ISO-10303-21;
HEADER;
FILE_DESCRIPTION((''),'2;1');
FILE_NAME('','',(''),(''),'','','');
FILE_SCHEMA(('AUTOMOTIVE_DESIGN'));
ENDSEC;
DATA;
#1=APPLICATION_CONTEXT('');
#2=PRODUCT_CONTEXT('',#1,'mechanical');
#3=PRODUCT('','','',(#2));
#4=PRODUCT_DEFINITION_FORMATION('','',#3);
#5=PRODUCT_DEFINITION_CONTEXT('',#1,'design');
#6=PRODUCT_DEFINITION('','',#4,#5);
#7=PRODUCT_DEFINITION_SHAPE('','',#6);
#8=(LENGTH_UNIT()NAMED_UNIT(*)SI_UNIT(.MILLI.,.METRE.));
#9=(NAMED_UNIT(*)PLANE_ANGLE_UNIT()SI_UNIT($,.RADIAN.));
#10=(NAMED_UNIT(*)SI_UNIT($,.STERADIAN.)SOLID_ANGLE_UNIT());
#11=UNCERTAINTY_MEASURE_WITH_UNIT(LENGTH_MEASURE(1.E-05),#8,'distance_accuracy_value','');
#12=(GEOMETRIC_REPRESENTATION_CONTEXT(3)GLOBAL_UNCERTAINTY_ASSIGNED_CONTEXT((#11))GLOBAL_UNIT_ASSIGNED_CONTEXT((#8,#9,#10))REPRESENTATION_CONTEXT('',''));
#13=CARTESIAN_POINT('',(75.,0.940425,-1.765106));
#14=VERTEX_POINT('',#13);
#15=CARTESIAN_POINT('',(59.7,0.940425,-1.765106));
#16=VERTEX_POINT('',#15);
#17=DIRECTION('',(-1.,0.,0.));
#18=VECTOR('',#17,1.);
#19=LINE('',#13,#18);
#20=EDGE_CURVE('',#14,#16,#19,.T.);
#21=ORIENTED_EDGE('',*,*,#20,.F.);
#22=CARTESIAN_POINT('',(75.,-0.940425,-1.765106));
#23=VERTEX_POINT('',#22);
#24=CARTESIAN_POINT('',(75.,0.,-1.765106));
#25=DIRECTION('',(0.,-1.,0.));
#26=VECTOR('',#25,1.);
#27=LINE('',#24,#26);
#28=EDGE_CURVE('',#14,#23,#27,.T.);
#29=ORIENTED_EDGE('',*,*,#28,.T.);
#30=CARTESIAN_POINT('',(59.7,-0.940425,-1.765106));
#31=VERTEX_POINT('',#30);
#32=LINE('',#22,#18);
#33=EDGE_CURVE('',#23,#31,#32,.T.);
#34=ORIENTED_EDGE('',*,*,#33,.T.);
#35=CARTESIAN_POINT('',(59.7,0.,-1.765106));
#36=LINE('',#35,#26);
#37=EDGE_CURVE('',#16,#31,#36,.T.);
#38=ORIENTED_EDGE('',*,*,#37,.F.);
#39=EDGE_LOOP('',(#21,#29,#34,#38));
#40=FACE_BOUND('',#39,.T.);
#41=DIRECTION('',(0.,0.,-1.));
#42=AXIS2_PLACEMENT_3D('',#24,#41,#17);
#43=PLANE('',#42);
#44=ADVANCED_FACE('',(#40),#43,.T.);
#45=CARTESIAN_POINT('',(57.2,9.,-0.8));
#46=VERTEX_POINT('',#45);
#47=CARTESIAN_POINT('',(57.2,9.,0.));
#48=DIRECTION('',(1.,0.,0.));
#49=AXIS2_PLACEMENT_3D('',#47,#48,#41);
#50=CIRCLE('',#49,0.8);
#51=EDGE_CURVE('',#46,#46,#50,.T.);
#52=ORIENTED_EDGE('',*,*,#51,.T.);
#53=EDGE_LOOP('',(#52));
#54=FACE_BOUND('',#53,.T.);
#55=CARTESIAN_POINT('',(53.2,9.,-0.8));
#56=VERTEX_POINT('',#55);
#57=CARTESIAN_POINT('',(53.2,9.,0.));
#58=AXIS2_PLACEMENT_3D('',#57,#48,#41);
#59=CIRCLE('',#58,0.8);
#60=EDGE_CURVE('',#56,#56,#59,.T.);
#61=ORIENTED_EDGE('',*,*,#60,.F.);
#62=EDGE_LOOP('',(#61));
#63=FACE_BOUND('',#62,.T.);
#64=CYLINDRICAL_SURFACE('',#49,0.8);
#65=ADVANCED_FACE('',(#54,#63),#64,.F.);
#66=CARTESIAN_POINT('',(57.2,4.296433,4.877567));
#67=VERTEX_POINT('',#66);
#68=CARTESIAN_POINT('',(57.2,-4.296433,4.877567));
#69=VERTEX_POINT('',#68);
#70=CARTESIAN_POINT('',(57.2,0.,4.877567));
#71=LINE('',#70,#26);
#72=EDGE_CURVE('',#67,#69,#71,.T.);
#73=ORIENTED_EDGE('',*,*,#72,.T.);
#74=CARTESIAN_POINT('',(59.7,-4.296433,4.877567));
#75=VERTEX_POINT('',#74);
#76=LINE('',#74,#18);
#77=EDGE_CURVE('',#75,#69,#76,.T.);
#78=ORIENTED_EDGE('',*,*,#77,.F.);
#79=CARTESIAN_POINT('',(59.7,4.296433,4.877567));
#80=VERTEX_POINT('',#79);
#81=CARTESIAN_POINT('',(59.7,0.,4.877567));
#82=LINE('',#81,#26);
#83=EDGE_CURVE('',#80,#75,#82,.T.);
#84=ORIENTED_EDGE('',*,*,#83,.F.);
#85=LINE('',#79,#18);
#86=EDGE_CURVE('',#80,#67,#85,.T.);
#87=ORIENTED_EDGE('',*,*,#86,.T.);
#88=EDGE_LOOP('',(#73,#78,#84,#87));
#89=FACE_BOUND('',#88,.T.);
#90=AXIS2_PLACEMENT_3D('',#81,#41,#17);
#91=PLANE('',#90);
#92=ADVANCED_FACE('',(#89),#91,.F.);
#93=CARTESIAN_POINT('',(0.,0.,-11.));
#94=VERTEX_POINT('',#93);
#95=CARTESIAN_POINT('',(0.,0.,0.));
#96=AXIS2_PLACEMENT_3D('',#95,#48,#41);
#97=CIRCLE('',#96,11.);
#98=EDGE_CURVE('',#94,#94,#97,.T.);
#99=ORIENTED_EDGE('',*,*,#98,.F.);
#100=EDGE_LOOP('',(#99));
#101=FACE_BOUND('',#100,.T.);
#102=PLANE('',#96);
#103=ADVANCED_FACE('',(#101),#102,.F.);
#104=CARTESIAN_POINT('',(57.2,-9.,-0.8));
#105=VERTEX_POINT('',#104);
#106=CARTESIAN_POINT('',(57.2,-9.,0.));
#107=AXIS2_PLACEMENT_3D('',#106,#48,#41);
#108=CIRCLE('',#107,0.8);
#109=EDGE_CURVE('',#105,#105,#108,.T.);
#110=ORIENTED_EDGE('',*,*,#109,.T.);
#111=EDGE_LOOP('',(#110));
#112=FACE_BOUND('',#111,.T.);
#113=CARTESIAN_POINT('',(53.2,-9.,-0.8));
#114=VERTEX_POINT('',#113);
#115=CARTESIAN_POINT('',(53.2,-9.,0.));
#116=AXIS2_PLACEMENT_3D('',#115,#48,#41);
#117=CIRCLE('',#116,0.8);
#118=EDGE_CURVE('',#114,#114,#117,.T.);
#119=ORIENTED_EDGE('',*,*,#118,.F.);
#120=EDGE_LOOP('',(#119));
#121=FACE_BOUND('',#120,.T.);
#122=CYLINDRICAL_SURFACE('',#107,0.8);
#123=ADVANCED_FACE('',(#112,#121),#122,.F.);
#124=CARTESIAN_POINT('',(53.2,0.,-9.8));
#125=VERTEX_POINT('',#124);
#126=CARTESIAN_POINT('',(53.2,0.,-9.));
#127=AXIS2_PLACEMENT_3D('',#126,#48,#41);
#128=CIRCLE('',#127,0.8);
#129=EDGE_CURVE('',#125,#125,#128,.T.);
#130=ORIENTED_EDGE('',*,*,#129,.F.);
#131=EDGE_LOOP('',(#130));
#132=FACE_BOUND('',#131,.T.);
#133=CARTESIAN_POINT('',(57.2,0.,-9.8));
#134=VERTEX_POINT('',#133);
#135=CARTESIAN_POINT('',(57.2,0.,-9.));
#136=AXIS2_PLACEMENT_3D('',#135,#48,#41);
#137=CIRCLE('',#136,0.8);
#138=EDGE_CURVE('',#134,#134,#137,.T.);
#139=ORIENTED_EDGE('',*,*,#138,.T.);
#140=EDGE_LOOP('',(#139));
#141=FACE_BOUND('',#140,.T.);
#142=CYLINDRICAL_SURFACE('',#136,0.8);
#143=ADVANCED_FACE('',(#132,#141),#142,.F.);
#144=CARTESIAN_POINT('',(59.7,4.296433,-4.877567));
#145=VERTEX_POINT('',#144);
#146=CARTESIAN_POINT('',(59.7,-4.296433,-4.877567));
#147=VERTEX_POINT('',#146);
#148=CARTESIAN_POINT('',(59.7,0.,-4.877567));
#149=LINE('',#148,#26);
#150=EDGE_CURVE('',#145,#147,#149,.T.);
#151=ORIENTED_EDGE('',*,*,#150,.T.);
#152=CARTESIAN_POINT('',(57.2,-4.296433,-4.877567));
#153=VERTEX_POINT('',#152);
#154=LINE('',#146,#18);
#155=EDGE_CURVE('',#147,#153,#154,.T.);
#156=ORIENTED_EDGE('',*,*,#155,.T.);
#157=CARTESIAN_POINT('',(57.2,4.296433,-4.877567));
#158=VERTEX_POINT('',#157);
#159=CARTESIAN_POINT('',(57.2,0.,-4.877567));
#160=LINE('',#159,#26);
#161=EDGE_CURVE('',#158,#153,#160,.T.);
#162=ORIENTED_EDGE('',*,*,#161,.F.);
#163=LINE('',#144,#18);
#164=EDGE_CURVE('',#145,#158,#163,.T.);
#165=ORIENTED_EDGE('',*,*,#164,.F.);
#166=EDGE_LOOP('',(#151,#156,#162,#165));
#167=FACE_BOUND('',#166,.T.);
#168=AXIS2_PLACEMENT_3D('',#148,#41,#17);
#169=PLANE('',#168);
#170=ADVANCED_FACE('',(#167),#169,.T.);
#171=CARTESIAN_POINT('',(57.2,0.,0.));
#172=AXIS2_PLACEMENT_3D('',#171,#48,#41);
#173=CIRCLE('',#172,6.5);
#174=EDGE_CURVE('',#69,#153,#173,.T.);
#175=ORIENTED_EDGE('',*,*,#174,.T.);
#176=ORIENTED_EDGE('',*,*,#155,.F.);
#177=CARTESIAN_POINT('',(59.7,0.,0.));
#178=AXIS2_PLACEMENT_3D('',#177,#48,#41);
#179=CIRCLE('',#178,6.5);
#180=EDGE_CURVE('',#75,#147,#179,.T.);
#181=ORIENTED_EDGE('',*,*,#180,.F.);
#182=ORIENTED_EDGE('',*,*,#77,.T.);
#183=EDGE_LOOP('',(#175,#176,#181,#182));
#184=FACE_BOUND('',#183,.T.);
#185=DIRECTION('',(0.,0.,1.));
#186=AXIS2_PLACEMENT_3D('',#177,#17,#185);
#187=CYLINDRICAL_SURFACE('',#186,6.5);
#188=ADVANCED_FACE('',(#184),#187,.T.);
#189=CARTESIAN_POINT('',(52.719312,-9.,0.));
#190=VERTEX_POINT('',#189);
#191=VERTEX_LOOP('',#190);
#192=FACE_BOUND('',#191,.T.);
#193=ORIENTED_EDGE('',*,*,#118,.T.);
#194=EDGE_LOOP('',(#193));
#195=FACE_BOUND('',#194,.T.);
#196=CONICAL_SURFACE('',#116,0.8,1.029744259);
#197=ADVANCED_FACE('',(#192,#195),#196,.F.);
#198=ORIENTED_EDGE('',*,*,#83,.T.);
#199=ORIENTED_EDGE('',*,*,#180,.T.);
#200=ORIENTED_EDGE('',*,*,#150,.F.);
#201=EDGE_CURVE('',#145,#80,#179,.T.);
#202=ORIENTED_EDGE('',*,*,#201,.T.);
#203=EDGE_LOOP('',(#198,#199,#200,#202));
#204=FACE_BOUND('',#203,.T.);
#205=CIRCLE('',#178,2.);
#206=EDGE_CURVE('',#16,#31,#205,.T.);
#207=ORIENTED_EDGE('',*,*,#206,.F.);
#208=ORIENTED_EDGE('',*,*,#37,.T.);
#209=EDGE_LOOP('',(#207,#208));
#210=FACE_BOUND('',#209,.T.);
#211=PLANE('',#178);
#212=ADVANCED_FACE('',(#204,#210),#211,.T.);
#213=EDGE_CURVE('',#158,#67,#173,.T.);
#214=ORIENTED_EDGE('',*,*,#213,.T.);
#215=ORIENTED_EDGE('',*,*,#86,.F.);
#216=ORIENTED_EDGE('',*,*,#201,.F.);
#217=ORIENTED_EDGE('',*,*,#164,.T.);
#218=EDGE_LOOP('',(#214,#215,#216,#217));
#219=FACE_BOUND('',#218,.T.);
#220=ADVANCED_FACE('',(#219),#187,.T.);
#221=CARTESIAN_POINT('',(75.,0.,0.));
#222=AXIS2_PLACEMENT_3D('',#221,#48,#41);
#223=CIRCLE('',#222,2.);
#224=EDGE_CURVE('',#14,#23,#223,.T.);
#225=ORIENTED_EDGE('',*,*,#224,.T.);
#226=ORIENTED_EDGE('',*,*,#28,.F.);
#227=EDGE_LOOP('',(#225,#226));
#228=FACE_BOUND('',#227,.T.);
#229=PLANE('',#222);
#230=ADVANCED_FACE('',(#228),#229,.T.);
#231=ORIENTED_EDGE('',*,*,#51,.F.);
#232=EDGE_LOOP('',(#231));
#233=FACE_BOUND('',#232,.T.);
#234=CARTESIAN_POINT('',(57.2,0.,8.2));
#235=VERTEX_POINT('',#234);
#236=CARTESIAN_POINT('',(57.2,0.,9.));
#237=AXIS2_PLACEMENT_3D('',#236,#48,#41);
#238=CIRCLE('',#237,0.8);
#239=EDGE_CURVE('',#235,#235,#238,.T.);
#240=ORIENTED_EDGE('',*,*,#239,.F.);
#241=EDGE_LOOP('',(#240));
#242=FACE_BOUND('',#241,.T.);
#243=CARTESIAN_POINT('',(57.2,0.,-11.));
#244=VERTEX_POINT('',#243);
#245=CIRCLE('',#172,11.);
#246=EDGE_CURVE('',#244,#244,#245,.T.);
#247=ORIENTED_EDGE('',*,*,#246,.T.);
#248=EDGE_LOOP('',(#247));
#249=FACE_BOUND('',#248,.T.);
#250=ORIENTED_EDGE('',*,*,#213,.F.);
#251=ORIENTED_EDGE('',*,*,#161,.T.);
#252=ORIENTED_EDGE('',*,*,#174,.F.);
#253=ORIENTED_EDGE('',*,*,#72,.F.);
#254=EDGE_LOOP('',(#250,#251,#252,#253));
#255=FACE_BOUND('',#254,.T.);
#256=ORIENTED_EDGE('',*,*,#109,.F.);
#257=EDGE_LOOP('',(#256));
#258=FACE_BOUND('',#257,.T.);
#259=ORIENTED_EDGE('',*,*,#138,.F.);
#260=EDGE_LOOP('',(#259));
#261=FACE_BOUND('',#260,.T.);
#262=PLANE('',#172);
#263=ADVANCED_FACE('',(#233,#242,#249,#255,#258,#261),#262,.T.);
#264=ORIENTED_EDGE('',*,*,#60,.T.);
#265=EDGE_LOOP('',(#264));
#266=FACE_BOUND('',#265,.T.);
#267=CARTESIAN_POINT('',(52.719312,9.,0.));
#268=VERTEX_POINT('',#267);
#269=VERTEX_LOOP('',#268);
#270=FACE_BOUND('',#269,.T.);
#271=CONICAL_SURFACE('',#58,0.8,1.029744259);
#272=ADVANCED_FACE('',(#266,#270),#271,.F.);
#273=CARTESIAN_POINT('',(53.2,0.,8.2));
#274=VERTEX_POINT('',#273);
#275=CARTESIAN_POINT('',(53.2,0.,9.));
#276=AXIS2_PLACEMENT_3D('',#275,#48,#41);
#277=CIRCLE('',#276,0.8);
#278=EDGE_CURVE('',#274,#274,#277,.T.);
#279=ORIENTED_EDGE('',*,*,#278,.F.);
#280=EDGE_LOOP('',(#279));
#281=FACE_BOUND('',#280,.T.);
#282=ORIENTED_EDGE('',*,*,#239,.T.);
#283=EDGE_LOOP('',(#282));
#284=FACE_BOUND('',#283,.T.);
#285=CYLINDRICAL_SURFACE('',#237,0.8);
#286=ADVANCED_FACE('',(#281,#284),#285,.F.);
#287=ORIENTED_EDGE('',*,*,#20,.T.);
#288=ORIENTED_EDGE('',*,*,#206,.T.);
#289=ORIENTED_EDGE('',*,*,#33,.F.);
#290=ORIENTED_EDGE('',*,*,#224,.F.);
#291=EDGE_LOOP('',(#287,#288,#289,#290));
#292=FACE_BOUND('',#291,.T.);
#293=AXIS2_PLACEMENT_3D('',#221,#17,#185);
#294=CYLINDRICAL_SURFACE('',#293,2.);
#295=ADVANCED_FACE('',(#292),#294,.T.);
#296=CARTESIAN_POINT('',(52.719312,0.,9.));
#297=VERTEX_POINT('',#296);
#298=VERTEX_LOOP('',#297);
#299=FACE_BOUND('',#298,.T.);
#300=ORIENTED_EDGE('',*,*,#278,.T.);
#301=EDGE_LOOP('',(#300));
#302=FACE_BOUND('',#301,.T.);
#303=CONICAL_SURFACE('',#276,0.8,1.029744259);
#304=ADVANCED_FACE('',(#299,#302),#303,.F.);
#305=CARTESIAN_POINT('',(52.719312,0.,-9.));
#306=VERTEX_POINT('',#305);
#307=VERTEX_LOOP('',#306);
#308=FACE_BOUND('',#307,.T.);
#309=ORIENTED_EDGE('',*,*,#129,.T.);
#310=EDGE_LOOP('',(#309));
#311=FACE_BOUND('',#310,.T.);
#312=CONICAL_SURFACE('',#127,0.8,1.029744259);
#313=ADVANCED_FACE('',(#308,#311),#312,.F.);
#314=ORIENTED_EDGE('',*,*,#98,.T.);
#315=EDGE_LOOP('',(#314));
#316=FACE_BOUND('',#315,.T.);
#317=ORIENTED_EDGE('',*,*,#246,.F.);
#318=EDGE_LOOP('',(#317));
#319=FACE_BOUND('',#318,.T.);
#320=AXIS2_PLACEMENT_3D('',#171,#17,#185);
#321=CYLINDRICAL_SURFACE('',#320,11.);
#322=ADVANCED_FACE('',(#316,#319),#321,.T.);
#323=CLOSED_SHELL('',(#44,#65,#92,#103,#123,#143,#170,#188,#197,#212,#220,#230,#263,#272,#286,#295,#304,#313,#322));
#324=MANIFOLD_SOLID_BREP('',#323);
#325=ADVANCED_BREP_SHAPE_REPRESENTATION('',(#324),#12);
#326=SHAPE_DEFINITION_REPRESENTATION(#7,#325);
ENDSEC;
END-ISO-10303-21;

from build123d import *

# Parameters (mm, degrees)
SKETCH1_R                       = 11
BOSS_EXTRUDE1_DEPTH             = 57.2
TAP_DRILL_FOR_M2X0_4_TAP1_D     = 1.6
TAP_DRILL_FOR_M2X0_4_TAP1_DEPTH = 4
TAP_DRILL_FOR_M2X0_4_TAP1_TIP   = 0.480688495
BOSS_EXTRUDE2_DEPTH             = 2.5
BOSS_EXTRUDE3_DEPTH             = 15.3


with BuildPart() as part:
    # Sketch1 → Boss-Extrude1 (new body)
    with BuildSketch(Plane(origin=(0, 0, 0), x_dir=(0, 0, -1), z_dir=(1, 0, 0))):
        Circle(SKETCH1_R)
    extrude(amount=BOSS_EXTRUDE1_DEPTH)

    # Tap Drill for M2x0.4 Tap1
    with Locations(Plane(origin=(57.2, 0, 0), x_dir=(0, 0, -1), z_dir=(1, 0, 0))):
        with Locations((9, 0), (0, 9), (-9, 0), (0, -9)):
            Hole(TAP_DRILL_FOR_M2X0_4_TAP1_D / 2, depth=TAP_DRILL_FOR_M2X0_4_TAP1_DEPTH)
            with Locations((0, 0, -(TAP_DRILL_FOR_M2X0_4_TAP1_DEPTH + TAP_DRILL_FOR_M2X0_4_TAP1_TIP / 2))):  # 118° drill point
                Cone(0, TAP_DRILL_FOR_M2X0_4_TAP1_D / 2, TAP_DRILL_FOR_M2X0_4_TAP1_TIP, mode=Mode.SUBTRACT)

    # Sketch4 → Boss-Extrude2 (add)
    with BuildSketch(Plane(origin=(57.2, 0, 0), x_dir=(0, 0, -1), z_dir=(1, 0, 0))):
        with BuildLine():
            Line((4.877567481, -4.296432877), (4.877567481, 4.296432877))
            ThreePointArc((4.877567481, 4.296432877), (0, 6.5), (-4.877567481, 4.296432877))
            Line((-4.877567481, 4.296432877), (-4.877567481, -4.296432877))
            ThreePointArc((-4.877567481, -4.296432877), (0, -6.5), (4.877567481, -4.296432877))
        make_face()
    extrude(amount=BOSS_EXTRUDE2_DEPTH)

    # Sketch5 → Boss-Extrude3 (add)
    with BuildSketch(Plane(origin=(59.7, 0, 0), x_dir=(0, 0, -1), z_dir=(1, 0, 0))):
        with BuildLine():
            Line((1.765106223, -0.940425447), (1.765106223, 0.940425447))
            ThreePointArc((1.765106223, 0.940425447), (-2, 0), (1.765106223, -0.940425447))
        make_face()
    extrude(amount=BOSS_EXTRUDE3_DEPTH)


solid = part.part
